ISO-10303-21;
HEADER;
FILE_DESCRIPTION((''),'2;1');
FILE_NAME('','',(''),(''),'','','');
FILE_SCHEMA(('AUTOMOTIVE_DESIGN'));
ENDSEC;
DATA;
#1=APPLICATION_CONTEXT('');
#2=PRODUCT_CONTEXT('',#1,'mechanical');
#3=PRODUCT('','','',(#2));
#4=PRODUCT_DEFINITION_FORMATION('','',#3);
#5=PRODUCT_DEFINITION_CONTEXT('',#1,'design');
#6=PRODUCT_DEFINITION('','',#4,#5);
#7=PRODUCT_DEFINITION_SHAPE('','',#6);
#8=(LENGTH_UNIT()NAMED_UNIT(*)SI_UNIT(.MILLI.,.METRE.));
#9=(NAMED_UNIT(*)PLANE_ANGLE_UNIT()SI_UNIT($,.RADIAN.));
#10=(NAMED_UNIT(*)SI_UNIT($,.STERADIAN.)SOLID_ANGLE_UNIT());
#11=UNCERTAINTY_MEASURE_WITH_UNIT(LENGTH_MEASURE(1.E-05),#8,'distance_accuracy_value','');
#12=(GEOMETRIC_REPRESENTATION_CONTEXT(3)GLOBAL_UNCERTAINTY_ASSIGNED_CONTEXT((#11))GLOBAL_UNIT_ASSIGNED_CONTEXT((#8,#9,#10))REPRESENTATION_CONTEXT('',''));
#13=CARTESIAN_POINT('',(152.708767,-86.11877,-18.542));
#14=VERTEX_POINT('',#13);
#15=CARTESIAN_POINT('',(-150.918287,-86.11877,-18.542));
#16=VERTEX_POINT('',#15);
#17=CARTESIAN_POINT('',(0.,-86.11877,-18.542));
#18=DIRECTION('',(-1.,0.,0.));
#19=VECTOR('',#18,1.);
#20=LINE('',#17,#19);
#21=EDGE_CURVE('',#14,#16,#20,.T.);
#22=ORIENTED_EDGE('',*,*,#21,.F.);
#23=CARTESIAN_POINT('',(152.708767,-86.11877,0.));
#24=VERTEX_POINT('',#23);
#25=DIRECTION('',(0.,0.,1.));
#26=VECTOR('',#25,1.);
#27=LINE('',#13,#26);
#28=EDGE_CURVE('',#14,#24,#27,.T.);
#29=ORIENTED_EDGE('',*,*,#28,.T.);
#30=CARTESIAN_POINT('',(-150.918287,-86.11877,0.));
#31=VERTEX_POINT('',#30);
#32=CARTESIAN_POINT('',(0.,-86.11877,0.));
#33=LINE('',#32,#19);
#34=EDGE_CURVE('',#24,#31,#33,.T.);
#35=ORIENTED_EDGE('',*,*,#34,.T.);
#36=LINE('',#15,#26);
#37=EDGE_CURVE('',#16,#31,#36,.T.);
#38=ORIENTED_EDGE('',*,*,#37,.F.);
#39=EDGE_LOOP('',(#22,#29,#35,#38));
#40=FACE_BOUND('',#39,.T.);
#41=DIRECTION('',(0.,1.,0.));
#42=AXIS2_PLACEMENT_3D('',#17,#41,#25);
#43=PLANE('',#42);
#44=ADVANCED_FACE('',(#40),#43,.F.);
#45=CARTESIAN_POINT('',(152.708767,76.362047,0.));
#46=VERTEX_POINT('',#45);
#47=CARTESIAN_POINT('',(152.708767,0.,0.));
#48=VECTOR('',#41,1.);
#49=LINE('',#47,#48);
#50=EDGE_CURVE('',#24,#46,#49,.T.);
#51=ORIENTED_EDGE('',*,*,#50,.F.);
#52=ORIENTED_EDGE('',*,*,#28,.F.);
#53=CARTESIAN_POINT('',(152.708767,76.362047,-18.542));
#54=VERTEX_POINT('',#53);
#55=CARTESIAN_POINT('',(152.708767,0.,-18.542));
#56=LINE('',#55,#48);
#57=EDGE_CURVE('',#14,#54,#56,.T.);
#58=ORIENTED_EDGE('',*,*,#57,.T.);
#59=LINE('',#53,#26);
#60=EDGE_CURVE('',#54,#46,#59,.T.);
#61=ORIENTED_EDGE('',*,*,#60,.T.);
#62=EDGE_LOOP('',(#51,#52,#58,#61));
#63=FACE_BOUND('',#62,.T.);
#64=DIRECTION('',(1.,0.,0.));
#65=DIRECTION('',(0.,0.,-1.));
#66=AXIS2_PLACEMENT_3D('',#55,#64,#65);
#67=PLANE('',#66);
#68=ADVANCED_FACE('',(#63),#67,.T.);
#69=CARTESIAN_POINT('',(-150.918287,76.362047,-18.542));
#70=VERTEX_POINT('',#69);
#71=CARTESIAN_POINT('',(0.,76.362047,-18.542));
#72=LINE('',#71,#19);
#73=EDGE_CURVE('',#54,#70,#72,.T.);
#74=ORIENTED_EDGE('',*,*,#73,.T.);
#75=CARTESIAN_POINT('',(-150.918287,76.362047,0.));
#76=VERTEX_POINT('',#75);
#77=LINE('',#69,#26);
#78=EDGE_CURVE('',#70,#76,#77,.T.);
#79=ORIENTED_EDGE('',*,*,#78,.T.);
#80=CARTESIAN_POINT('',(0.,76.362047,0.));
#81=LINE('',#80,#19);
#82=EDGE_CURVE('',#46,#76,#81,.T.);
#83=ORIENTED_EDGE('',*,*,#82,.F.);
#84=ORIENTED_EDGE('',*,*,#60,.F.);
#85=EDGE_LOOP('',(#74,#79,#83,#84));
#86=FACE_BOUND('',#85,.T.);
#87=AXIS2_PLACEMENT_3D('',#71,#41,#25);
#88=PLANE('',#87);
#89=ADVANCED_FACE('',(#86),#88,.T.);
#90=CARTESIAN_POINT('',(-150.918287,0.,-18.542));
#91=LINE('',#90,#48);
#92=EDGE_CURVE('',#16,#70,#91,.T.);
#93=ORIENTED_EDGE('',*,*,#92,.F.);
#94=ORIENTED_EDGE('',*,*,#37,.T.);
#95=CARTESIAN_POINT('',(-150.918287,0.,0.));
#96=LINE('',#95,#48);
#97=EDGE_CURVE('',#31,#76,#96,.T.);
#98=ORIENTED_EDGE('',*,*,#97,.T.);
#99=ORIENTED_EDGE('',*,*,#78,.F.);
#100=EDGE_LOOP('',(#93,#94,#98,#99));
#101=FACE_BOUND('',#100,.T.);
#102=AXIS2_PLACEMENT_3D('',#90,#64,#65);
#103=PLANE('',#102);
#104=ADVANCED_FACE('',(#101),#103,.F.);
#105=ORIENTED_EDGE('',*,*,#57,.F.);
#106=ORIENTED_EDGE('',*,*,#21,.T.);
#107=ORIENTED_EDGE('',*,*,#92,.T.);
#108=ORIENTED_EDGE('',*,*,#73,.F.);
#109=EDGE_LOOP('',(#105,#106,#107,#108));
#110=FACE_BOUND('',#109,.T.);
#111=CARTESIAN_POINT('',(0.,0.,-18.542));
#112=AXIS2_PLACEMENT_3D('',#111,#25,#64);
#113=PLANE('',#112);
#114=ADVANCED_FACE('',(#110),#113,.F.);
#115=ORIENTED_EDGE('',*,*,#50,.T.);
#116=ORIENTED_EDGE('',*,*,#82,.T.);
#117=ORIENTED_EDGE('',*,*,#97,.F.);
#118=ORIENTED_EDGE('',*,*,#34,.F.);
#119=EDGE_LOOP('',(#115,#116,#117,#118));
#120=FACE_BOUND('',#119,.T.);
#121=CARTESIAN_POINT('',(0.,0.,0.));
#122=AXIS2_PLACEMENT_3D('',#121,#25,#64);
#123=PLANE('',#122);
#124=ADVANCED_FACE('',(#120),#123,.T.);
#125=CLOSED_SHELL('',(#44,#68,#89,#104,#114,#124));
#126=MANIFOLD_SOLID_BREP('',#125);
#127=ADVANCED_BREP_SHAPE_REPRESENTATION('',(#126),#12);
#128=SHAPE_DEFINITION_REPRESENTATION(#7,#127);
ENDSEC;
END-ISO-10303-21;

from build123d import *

# Parameters (mm, degrees)
SKETCH1_W           = 303.62705403
SKETCH1_H           = 162.480816863
SKETCH1_W_2         = 301.08705403
SKETCH1_H_2         = 159.940816863
BOSS_EXTRUDE1_DEPTH = 18.542


with BuildPart() as part:
    # Sketch1 → Boss-Extrude1 (new body)
    # profile 1 of 2: a face of its own
    with BuildSketch(Plane.XY):
        with Locations((0.895240385, -4.878361893)):
            Rectangle(SKETCH1_W, SKETCH1_H)
        with Locations((0.895240385, -4.878361893)):
            Rectangle(SKETCH1_W_2, SKETCH1_H_2, mode=Mode.SUBTRACT)
    # profile 2 of 2: a face of its own
    with BuildSketch(Plane.XY):
        with Locations((0.895240385, -4.878361893)):
            Rectangle(SKETCH1_W_2, SKETCH1_H_2)
    extrude(amount=-BOSS_EXTRUDE1_DEPTH)


solid = part.part
